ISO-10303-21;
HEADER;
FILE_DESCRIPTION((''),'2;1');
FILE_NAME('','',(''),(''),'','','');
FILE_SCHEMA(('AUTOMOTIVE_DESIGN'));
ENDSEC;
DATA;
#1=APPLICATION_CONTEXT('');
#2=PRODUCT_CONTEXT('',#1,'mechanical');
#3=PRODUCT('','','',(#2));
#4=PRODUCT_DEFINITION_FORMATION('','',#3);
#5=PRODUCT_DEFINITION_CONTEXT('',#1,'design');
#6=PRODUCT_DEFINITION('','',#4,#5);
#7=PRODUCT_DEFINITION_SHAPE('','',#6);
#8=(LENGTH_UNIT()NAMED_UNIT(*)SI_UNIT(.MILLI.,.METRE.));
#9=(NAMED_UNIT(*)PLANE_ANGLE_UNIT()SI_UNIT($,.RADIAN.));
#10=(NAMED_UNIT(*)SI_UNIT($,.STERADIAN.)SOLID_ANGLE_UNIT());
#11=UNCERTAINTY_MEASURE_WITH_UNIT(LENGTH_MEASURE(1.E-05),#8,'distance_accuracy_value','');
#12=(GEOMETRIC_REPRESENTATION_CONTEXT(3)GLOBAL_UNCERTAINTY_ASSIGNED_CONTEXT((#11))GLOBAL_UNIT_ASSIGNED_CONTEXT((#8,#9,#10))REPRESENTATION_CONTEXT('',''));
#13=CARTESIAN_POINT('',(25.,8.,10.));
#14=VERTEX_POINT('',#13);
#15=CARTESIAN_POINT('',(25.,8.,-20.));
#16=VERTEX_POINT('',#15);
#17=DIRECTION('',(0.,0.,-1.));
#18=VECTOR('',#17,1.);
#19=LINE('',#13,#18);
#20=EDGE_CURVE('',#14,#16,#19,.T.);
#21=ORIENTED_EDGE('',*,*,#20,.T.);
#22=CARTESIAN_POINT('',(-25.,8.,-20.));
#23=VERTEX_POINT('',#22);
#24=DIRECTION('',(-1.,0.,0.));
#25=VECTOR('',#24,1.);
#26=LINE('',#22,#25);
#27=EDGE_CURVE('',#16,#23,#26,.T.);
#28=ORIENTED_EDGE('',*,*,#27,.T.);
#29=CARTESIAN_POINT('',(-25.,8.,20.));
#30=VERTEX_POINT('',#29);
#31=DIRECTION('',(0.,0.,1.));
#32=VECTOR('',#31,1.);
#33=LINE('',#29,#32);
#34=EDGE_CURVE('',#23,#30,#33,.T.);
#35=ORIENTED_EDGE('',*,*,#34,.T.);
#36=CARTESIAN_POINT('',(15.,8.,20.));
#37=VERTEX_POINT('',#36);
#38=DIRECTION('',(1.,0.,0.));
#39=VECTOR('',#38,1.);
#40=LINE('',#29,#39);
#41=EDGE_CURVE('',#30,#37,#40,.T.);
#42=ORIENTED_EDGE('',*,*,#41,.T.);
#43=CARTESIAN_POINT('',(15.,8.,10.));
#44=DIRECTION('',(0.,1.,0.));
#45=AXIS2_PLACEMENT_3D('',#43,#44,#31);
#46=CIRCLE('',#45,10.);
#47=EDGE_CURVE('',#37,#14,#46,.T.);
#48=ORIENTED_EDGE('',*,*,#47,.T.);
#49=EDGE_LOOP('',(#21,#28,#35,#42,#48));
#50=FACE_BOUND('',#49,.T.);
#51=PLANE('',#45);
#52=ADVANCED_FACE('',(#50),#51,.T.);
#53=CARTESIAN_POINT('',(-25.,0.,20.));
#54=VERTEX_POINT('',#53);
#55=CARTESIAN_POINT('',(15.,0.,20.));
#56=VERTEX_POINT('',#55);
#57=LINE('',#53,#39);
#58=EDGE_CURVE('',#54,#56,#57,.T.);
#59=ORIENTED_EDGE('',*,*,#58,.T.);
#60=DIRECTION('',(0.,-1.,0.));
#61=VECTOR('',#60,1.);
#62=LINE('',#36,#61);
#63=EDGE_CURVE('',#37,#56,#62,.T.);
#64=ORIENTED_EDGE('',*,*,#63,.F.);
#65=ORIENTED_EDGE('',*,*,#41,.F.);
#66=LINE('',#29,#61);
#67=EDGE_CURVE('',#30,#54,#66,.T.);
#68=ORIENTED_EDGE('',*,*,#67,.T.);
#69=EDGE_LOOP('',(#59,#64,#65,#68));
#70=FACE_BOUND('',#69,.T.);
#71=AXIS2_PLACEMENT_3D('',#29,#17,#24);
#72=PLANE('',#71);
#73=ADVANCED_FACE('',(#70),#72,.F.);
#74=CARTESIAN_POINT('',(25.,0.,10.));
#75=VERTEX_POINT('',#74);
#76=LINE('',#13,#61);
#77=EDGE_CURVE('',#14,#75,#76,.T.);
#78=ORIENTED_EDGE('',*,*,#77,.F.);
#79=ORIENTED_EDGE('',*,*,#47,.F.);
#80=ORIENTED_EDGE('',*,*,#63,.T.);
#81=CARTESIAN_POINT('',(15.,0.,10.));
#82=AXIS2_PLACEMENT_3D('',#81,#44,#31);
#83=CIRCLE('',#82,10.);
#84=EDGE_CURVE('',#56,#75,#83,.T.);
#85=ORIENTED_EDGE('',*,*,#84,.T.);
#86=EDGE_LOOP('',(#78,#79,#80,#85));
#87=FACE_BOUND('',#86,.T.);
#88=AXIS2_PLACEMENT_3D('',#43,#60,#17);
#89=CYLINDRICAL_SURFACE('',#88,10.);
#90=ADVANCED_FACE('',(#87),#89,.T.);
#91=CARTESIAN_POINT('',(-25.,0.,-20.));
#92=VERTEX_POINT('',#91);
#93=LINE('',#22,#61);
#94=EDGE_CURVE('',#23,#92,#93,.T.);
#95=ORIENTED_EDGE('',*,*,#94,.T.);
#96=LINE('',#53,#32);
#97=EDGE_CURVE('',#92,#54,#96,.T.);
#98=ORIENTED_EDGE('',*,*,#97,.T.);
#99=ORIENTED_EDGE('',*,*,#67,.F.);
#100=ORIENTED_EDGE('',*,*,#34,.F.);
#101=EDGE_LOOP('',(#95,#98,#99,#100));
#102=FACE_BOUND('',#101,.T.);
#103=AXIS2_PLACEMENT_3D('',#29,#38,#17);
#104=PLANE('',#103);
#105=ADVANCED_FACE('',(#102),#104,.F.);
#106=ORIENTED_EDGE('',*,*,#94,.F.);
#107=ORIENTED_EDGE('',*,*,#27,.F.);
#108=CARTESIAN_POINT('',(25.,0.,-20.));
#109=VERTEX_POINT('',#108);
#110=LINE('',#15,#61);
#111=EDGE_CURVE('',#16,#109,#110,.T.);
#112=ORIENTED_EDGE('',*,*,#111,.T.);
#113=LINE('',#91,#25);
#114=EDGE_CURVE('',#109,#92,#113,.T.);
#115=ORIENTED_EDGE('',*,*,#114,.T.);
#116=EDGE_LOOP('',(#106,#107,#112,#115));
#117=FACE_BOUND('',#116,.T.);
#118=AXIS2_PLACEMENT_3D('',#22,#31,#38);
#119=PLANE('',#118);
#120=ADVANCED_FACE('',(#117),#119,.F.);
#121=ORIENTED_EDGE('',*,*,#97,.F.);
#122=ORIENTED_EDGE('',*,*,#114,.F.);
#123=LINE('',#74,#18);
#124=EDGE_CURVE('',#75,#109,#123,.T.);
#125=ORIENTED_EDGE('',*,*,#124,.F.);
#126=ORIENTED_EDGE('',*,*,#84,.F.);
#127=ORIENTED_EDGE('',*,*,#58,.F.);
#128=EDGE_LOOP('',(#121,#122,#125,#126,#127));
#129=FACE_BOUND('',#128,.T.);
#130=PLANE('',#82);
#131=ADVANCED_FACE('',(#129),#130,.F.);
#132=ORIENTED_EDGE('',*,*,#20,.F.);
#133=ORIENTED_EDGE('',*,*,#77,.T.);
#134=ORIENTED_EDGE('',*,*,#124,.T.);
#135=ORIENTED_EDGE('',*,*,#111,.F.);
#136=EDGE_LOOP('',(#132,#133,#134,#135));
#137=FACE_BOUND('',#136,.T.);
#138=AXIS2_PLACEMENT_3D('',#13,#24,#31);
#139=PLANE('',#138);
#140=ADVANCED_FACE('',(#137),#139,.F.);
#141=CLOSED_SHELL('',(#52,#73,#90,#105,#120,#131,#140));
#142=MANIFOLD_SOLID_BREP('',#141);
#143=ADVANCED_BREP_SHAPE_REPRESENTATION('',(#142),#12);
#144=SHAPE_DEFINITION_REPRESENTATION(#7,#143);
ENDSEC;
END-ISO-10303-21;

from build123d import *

# Parameters (mm, degrees)
EXTRUDE_1_DEPTH = 8


with BuildPart() as part:
    # Эскиз1 → Бобышка-Вытянуть1 (new body)
    with BuildSketch(Plane(origin=(0, 0, 0), x_dir=(1, 0, 0), z_dir=(0, 1, 0))):
        with BuildLine():
            Line((-25, -20), (15, -20))
            ThreePointArc((15, -20), (22.071067812, -17.071067812), (25, -10))
            Line((25, -10), (25, 20))
            Line((25, 20), (-25, 20))
            Line((-25, 20), (-25, -20))
        make_face()
    extrude(amount=EXTRUDE_1_DEPTH)


solid = part.part
